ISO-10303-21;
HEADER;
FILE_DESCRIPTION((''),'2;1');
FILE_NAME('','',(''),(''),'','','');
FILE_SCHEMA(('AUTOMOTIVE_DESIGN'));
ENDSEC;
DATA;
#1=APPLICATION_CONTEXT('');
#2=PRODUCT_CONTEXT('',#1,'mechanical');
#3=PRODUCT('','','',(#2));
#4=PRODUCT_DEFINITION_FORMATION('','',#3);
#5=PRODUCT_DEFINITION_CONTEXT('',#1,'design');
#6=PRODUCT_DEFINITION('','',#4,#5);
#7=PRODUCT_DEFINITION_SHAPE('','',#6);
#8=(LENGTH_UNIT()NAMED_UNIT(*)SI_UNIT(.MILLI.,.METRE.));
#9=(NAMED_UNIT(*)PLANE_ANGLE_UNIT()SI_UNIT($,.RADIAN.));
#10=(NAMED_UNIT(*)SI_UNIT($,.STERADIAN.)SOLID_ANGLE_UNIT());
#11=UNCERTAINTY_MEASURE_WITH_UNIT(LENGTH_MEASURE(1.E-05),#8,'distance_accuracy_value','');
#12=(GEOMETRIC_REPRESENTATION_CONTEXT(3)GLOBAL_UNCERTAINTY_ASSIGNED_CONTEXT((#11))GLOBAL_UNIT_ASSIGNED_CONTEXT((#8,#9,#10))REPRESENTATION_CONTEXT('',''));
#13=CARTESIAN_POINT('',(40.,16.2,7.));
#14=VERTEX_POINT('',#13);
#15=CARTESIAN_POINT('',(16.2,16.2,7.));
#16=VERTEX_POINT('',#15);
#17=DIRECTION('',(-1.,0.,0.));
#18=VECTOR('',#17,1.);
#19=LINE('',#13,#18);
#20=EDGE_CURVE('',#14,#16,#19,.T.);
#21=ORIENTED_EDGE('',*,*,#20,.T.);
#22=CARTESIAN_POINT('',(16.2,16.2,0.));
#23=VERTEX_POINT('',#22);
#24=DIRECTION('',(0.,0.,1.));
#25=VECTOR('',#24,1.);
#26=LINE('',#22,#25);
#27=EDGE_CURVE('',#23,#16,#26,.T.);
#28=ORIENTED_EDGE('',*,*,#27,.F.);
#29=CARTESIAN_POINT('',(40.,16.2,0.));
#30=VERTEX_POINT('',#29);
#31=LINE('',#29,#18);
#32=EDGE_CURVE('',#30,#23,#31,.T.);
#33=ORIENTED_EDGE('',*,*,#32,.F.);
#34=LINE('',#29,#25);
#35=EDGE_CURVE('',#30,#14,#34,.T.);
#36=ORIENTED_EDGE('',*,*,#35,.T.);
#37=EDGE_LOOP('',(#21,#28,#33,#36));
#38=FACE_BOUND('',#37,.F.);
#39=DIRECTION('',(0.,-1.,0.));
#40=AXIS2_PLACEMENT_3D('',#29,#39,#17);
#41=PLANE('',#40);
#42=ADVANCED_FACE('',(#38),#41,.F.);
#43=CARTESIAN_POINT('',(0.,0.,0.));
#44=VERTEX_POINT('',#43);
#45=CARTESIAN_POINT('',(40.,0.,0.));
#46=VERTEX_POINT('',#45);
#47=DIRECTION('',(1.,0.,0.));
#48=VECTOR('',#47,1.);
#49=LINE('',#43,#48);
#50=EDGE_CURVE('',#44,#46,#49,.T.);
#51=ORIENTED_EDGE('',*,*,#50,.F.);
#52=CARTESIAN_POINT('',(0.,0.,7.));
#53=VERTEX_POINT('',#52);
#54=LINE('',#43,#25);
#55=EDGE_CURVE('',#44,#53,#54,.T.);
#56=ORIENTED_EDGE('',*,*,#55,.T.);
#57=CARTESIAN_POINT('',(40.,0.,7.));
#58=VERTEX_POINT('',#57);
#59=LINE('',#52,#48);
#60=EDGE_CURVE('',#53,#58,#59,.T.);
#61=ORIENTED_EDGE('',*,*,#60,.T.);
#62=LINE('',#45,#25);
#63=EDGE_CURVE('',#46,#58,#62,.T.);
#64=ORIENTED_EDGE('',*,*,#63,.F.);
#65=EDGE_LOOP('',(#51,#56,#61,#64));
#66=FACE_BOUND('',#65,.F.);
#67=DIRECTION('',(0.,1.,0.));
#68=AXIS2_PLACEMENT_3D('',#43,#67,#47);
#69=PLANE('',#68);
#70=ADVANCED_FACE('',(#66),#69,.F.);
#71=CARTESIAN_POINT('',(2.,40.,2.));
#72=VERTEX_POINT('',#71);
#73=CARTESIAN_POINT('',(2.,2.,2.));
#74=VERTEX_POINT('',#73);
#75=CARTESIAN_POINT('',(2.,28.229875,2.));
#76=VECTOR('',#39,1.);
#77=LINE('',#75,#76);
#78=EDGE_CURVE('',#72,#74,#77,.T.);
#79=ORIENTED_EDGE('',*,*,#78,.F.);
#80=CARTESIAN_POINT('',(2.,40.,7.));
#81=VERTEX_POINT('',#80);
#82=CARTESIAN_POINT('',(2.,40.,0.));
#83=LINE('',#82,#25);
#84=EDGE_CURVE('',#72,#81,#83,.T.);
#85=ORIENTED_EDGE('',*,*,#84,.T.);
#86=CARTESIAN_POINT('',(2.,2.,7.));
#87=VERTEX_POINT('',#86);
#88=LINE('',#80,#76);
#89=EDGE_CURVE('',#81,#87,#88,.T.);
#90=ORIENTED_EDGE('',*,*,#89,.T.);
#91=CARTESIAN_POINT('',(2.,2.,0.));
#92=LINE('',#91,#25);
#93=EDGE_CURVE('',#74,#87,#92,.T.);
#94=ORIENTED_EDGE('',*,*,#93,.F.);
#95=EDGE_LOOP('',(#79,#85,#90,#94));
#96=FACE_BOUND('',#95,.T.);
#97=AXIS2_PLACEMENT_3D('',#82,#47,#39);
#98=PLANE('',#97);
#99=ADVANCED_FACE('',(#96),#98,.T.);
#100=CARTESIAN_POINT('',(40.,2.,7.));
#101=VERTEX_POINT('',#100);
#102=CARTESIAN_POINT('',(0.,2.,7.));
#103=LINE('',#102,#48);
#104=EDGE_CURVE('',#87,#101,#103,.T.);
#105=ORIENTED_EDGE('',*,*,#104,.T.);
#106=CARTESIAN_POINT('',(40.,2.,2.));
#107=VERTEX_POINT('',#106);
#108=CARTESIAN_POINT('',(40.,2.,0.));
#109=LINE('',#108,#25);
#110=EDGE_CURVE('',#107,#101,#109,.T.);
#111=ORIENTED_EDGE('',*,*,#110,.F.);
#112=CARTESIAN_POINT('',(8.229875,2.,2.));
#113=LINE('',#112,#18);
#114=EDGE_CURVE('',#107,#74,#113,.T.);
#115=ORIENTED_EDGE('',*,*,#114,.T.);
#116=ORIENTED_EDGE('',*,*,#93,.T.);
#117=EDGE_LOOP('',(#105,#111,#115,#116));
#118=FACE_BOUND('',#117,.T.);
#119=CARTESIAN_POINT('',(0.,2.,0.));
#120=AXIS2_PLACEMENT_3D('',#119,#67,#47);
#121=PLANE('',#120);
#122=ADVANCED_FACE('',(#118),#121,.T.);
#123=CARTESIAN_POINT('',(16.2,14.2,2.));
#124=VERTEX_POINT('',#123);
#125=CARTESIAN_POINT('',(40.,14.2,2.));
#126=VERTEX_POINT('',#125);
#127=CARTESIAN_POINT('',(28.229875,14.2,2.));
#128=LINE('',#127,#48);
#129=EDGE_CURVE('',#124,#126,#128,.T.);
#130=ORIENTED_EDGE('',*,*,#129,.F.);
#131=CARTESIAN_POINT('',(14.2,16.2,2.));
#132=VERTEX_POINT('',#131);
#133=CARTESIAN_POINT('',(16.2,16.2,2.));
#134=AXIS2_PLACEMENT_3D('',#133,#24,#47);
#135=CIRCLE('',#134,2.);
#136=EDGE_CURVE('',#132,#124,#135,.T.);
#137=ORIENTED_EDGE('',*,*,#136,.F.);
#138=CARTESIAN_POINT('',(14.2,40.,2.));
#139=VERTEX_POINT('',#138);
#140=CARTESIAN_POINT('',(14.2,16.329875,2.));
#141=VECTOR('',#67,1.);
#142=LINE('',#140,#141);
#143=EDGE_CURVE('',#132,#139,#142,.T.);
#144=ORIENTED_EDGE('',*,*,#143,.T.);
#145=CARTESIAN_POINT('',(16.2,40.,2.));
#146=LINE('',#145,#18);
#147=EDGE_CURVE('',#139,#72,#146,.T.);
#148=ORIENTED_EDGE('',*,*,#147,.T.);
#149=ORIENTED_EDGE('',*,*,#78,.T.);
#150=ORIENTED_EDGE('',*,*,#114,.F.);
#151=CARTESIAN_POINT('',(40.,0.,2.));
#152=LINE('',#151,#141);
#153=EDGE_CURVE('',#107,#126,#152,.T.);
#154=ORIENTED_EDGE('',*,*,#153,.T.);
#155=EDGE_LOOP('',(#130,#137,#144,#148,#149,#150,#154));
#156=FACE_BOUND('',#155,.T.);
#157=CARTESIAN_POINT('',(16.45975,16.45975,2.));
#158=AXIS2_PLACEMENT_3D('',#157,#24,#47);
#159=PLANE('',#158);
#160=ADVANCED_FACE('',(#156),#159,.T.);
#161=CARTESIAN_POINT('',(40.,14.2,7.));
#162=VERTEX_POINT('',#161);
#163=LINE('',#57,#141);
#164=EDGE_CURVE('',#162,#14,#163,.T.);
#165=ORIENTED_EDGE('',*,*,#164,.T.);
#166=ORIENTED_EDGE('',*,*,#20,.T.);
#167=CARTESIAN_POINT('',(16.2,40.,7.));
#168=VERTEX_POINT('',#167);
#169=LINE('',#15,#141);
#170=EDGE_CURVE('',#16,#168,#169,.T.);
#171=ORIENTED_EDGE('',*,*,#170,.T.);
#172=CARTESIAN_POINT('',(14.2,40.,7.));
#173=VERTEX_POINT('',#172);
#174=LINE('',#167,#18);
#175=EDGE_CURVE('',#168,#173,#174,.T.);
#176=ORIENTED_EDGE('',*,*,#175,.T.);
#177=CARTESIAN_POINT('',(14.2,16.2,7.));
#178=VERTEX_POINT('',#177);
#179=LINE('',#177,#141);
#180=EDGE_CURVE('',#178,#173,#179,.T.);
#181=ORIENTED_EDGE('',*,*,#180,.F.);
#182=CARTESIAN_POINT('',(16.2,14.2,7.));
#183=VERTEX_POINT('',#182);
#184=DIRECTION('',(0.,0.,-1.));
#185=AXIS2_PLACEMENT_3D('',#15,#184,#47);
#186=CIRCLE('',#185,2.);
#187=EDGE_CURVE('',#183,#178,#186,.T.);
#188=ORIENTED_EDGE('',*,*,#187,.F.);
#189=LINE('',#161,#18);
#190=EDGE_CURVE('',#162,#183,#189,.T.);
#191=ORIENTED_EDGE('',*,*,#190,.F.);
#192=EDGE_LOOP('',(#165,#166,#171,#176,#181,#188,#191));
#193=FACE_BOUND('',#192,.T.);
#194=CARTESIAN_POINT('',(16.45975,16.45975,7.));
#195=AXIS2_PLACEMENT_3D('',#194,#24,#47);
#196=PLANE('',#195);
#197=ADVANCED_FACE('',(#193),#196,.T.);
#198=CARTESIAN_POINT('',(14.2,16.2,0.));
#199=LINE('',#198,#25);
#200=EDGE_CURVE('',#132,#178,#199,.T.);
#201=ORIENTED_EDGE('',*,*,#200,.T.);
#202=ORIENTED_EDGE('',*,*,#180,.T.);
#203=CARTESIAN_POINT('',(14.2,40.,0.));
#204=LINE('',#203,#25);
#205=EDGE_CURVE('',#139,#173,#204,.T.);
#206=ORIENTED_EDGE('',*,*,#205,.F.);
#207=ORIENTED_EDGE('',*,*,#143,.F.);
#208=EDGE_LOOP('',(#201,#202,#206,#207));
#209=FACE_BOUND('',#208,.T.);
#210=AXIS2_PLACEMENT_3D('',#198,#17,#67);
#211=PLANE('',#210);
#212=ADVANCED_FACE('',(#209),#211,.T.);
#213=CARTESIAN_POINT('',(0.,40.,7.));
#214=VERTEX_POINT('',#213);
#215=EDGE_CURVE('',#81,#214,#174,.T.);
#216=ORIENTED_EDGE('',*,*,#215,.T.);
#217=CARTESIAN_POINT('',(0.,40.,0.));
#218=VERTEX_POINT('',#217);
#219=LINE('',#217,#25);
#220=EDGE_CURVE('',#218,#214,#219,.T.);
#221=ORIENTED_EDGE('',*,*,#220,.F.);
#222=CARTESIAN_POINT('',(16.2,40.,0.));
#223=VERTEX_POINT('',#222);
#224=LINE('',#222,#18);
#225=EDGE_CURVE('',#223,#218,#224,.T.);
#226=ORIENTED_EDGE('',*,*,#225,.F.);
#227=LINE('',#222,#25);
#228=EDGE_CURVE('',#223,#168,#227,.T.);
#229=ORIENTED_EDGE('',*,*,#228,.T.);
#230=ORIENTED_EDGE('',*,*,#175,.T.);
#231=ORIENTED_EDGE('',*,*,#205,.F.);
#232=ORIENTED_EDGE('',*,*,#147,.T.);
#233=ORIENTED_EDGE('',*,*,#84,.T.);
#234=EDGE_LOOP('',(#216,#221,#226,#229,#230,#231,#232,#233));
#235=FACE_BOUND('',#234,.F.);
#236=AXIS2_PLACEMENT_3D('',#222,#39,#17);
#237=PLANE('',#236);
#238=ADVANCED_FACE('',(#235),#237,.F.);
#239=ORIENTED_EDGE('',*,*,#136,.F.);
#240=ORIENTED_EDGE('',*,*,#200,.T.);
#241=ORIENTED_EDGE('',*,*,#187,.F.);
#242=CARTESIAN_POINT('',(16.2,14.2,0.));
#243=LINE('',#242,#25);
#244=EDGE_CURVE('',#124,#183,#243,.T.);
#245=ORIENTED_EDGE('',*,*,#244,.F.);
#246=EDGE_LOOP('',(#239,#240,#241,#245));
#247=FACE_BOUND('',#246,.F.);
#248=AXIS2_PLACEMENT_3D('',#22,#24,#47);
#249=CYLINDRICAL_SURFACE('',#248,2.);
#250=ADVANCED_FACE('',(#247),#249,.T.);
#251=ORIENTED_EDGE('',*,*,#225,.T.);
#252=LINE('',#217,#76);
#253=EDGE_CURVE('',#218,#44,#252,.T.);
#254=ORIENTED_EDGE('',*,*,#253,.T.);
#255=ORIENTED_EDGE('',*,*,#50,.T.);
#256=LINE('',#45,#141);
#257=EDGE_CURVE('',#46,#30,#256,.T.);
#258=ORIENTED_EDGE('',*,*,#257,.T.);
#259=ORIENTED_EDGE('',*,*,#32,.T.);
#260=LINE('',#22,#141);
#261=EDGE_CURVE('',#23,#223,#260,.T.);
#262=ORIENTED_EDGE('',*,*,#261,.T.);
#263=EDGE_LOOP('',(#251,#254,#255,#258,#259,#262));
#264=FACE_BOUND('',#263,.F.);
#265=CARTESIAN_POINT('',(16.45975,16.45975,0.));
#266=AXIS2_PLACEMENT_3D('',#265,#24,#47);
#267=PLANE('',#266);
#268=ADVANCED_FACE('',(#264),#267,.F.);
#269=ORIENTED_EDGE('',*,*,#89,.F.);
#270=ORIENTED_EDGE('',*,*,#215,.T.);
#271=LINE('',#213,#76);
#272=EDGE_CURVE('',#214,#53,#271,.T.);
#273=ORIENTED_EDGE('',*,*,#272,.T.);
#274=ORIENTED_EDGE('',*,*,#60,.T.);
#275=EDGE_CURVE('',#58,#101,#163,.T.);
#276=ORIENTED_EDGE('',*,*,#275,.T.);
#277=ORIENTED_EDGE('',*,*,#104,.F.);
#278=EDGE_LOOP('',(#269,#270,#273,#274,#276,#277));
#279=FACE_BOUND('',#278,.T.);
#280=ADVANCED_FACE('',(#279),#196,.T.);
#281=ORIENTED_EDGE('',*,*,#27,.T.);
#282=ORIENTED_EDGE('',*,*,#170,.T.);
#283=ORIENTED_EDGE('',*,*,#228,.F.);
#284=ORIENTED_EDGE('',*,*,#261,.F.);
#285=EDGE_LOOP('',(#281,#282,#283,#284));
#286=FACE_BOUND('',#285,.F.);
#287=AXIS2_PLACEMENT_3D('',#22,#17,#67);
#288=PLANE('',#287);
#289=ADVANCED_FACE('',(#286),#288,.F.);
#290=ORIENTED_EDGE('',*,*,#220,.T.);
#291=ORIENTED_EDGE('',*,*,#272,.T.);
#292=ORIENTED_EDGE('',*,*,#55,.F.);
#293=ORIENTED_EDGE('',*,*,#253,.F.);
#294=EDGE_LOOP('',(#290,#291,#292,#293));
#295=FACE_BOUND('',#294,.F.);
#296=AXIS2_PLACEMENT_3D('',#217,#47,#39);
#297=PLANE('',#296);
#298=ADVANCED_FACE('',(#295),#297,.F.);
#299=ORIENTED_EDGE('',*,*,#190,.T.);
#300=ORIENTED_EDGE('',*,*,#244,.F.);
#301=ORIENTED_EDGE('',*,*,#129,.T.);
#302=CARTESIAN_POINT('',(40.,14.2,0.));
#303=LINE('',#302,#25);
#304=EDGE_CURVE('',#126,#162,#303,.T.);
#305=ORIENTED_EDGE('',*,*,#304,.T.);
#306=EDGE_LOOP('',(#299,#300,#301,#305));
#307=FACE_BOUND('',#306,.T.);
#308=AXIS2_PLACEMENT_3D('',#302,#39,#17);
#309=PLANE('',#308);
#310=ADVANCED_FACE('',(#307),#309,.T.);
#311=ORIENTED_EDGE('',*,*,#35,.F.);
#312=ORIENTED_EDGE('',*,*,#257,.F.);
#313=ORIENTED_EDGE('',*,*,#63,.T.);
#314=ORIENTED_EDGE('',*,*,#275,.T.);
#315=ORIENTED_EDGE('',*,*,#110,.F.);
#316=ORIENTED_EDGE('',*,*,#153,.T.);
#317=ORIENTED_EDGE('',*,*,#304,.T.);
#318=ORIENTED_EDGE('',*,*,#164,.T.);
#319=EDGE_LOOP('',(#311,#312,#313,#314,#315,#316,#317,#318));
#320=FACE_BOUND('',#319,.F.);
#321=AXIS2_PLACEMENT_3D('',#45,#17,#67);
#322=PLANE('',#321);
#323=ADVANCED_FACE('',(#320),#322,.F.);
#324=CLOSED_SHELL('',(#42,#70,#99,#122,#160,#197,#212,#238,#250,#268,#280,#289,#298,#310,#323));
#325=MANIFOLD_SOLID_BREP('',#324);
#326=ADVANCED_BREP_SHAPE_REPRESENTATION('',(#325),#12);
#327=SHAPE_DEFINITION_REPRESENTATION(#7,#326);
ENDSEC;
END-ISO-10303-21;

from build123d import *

# Parameters (mm, degrees)
PAD_DEPTH   = 7
THICKNESS_T = -2


with BuildPart() as part:
    # Sketch → Pad (new body)
    with BuildSketch(Plane.XY):
        Polygon((0, 0), (40, 0), (40, 16.2), (16.2, 16.2), (16.2, 40), (0, 40), align=None)
    extrude(amount=PAD_DEPTH)

    # Thickness
    thickness_openings = [part.faces().sort_by_distance(p)[0] for p in [
        (15.560815, 15.560815, 7),
        (40, 8.1, 3.5),
        (8.1, 40, 3.5),
    ]]
    offset(amount=THICKNESS_T, openings=thickness_openings)


solid = part.part
